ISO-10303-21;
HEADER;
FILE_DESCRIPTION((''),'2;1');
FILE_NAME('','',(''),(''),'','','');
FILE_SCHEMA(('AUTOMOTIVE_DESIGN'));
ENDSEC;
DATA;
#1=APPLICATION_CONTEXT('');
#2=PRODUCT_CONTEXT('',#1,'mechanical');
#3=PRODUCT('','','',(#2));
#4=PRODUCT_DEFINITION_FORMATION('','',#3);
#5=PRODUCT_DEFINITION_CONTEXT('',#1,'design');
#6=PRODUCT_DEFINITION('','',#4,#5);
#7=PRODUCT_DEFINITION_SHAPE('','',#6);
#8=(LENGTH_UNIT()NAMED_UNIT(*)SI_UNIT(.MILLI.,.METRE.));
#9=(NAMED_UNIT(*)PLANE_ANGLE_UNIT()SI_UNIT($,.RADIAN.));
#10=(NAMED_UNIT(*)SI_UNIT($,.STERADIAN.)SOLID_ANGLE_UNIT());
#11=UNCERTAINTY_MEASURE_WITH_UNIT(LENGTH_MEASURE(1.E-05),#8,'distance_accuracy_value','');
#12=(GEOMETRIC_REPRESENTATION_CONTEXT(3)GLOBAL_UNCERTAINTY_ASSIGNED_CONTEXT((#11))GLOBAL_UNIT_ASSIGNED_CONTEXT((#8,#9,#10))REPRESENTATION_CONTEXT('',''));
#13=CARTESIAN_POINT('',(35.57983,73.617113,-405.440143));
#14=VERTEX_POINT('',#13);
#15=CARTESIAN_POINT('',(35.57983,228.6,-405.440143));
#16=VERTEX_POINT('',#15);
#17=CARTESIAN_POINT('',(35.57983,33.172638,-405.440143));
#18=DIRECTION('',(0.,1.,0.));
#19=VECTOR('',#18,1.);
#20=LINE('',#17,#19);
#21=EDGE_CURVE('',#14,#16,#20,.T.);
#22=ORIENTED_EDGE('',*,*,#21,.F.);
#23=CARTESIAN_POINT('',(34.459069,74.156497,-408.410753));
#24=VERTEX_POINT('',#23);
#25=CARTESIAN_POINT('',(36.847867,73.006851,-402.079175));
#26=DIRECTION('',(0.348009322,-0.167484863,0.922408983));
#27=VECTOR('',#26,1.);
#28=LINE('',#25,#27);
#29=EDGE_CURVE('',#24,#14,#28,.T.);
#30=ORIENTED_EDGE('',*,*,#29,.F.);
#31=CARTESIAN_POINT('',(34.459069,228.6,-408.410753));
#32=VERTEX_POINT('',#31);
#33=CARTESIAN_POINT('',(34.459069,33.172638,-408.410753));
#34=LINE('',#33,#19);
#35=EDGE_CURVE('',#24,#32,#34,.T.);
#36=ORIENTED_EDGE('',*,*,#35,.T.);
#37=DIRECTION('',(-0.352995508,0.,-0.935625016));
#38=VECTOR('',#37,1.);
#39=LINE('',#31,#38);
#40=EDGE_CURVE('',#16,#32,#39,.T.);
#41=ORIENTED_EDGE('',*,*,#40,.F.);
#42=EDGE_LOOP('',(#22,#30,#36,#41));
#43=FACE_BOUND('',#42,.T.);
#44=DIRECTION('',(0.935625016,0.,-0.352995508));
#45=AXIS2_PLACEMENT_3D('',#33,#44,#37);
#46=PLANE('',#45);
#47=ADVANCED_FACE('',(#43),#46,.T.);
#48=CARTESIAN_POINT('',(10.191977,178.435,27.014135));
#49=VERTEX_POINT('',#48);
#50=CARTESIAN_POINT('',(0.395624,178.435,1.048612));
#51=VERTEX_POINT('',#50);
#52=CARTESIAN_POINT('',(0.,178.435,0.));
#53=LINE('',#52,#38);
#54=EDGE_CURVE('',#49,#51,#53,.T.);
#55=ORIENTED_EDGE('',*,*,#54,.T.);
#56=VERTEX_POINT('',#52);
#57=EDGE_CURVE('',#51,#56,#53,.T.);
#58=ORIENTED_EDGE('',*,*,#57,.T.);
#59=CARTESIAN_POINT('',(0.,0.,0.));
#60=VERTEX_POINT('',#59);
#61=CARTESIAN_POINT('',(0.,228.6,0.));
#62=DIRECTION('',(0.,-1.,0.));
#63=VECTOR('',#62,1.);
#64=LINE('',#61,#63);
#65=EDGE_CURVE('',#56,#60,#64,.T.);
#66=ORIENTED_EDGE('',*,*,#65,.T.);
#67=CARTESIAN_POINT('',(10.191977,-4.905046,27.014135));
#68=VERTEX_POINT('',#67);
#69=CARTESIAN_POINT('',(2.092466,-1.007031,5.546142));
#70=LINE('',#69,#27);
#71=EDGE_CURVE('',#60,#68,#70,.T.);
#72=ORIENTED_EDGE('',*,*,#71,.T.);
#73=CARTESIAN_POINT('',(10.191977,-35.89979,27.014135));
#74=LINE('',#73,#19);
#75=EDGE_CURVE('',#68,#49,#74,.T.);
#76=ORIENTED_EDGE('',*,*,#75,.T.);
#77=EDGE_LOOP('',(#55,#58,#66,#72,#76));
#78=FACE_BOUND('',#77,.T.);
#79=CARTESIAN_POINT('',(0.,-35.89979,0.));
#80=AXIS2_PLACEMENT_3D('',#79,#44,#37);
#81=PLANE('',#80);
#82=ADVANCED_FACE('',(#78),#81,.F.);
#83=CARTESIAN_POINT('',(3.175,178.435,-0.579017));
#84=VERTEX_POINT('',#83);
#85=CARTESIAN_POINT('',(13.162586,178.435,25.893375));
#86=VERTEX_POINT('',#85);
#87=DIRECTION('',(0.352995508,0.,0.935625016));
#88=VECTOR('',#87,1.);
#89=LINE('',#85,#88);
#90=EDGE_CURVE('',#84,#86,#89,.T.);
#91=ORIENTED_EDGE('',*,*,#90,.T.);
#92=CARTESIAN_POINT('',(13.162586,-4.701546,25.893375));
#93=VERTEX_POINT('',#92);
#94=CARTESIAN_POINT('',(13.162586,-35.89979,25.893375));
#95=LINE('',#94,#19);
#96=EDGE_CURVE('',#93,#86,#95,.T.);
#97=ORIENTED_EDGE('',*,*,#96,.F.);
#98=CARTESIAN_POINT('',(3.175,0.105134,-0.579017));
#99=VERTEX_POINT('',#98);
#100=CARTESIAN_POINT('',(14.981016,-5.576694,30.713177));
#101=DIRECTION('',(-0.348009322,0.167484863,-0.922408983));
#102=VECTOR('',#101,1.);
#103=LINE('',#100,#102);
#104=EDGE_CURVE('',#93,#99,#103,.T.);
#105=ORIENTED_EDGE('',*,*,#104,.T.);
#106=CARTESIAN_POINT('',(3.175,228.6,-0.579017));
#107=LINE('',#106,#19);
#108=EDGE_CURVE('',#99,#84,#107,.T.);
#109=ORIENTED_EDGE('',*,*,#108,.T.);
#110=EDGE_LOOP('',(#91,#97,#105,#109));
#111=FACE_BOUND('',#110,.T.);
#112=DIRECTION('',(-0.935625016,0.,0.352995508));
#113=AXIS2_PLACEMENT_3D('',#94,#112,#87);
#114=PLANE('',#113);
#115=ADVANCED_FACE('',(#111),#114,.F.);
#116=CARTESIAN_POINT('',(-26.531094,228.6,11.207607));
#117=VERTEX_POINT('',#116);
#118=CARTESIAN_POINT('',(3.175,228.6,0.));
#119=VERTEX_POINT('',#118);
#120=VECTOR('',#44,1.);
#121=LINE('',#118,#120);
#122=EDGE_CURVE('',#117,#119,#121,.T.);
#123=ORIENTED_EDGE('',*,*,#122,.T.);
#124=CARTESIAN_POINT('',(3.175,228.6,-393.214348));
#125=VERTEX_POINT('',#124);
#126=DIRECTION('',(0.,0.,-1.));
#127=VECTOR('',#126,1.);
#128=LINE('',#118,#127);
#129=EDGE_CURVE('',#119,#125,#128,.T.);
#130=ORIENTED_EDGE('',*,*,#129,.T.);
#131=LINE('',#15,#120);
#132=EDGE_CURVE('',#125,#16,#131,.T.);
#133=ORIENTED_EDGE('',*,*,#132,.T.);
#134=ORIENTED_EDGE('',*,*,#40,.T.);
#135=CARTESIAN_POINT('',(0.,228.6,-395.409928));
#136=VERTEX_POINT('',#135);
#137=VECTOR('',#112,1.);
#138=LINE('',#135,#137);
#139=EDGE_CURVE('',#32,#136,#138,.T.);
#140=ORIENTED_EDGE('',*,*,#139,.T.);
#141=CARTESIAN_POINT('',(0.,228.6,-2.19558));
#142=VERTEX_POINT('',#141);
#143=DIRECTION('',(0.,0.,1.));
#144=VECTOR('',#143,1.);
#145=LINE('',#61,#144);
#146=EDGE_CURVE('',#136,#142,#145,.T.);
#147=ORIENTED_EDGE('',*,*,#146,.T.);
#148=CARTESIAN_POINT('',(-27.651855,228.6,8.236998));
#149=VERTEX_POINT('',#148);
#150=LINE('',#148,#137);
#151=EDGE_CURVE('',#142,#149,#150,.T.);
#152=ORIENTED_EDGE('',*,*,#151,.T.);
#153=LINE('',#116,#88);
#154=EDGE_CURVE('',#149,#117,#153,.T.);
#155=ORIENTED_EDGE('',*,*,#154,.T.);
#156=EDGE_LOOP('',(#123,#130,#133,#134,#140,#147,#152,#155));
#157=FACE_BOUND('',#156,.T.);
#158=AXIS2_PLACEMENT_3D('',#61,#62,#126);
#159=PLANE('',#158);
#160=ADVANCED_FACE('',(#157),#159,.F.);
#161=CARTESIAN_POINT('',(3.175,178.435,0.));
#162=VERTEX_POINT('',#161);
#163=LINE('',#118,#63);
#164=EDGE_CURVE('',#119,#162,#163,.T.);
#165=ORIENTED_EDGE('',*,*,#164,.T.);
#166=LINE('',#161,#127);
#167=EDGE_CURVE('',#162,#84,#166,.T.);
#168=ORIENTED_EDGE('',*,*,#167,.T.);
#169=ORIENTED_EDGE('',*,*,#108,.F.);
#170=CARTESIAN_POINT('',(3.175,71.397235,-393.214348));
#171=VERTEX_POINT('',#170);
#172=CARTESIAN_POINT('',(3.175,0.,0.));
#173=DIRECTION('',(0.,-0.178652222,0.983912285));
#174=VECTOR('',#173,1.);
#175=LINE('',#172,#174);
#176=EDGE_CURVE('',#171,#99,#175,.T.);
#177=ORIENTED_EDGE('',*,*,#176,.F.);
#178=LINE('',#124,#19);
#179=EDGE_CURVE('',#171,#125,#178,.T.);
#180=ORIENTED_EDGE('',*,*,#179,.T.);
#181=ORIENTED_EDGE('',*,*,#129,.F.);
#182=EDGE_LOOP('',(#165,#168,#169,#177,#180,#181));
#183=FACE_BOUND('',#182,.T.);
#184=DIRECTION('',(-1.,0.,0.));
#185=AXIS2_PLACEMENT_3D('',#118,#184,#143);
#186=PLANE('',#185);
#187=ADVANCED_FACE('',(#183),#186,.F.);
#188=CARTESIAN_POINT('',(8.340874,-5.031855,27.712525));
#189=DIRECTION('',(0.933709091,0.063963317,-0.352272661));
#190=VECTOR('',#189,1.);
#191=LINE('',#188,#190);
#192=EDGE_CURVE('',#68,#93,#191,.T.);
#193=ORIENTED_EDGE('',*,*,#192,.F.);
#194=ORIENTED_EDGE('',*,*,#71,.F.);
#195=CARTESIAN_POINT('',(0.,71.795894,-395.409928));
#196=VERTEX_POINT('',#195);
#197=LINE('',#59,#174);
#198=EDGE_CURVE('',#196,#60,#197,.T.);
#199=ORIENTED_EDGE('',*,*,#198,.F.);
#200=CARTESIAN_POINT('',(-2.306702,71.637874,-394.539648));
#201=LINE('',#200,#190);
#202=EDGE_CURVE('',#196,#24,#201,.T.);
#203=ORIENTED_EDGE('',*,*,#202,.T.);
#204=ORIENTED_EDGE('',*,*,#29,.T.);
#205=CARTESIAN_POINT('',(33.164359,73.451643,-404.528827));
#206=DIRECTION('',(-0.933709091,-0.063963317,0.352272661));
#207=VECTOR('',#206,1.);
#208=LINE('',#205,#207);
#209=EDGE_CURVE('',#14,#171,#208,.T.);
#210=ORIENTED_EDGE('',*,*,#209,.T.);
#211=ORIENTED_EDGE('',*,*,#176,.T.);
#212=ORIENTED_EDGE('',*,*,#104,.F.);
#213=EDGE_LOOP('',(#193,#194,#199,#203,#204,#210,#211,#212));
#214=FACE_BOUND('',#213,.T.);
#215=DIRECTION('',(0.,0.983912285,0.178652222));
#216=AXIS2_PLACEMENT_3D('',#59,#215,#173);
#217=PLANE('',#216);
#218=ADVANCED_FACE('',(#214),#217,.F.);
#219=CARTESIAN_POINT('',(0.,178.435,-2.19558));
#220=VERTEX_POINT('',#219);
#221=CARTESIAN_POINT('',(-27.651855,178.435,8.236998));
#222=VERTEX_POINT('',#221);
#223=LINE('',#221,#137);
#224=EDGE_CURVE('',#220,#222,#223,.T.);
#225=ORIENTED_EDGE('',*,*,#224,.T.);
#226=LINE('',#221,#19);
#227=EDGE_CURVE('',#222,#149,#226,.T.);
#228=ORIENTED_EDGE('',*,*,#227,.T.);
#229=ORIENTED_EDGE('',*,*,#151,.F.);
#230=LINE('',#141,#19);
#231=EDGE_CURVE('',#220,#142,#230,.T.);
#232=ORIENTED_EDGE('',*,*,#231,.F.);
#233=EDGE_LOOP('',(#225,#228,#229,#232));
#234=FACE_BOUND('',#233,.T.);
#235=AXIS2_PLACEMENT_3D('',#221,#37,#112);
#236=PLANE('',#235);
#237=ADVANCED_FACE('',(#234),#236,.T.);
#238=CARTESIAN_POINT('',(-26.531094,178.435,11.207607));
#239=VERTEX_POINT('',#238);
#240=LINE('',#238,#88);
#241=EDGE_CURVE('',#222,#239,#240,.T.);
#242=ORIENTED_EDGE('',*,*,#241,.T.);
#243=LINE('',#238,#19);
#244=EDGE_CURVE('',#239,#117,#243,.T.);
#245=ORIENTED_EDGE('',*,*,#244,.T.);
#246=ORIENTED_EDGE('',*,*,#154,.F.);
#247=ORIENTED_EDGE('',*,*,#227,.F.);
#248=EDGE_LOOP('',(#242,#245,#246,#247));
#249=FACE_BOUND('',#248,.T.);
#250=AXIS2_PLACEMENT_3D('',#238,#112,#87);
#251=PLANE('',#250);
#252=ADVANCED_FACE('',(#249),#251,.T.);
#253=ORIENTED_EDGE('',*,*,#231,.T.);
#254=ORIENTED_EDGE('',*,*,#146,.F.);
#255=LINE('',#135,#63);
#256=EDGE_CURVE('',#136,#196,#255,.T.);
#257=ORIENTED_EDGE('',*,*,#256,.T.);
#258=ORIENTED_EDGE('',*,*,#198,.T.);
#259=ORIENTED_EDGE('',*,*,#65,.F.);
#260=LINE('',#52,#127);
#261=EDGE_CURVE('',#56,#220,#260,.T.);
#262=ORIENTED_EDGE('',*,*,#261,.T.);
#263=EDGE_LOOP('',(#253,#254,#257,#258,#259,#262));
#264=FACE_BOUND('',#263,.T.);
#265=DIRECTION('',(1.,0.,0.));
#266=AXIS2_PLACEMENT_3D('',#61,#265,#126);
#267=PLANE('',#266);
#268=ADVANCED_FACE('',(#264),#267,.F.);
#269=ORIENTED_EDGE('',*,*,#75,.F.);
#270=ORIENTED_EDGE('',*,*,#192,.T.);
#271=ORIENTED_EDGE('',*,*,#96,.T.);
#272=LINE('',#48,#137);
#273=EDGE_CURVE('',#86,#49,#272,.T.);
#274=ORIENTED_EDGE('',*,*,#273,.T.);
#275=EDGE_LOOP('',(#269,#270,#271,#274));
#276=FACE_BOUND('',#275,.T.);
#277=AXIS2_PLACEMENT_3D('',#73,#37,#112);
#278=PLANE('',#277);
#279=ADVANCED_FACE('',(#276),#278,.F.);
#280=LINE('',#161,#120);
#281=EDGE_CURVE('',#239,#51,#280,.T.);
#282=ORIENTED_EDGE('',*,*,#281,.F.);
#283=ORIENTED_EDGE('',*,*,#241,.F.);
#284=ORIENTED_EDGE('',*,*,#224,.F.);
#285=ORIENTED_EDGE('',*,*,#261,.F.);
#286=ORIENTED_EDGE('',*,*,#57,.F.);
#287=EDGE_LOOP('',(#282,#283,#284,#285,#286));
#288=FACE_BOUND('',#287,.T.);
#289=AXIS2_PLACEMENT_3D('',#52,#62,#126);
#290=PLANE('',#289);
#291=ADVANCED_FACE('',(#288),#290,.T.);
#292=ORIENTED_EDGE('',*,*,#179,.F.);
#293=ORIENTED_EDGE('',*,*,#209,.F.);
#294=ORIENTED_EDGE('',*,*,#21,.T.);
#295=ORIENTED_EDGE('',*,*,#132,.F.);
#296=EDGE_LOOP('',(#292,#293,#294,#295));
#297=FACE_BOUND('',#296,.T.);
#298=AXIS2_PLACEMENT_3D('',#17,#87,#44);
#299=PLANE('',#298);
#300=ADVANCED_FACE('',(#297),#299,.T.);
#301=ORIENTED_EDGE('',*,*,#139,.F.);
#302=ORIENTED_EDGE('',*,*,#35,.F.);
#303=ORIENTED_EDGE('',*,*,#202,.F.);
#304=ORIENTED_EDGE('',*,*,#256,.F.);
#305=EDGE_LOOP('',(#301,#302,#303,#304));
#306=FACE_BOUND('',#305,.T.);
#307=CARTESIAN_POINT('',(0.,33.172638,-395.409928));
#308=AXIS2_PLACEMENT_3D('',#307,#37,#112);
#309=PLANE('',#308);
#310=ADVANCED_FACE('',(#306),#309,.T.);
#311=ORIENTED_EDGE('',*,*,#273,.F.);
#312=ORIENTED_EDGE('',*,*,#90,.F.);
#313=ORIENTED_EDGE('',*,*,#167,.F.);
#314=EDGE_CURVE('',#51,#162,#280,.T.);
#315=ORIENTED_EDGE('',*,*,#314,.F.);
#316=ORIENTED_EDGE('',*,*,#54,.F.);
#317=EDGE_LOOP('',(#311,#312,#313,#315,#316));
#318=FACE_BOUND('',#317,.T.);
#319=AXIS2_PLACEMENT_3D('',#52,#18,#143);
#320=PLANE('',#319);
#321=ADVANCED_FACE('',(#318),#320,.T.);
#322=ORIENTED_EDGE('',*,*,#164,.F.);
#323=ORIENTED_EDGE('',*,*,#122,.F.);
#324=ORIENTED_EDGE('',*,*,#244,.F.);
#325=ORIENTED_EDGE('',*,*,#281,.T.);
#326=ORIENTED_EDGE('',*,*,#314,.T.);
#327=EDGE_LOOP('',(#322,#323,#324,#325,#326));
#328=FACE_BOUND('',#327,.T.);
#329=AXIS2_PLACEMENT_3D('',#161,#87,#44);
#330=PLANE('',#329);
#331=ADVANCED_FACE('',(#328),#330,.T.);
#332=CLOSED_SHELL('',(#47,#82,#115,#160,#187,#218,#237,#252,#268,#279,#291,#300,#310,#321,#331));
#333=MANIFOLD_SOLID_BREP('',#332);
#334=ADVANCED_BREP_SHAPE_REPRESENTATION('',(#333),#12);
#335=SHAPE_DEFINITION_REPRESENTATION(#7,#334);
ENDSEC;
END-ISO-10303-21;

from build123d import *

# Parameters (mm, degrees)
SKETCH1_W           = 3.175
SKETCH1_H           = 395.409928
BOSS_EXTRUDE1_DEPTH = 228.6
CUT_EXTRUDE1_DEPTH  = 457.746156838
BOSS_EXTRUDE4_REACH = 458.746
BOSS_EXTRUDE5_DEPTH = 50.165
BOSS_EXTRUDE8_REACH = 449.107


with BuildPart() as part:
    # Sketch1 → Boss-Extrude1 (new body)
    with BuildSketch(Plane(origin=(0, 0, 0), x_dir=(1, 0, 0), z_dir=(0, 1, 0))):
        with Locations((1.5875, 197.704964)):
            Rectangle(SKETCH1_W, SKETCH1_H)
    extrude(amount=BOSS_EXTRUDE1_DEPTH)

    # Sketch2 → Cut-Extrude1 (cut, through all)
    with BuildSketch(Plane(origin=(3.175, 0, 0), x_dir=(0, 0, -1), z_dir=(1, 0, 0))):
        Polygon((0, 0), (395.409928, 71.795894), (395.409928, 0), align=None)
    extrude(amount=-CUT_EXTRUDE1_DEPTH, mode=Mode.SUBTRACT)

    # Boss-Extrude4: up to this plane
    boss_extrude4_end = Plane(origin=(0, 0, 0), z_dir=(0, 0.9839122845611679, 0.17865222161961358))
    # Sketch8 → Boss-Extrude4 (add, up to the surface)
    with BuildSketch(Plane(origin=(0, 228.6, 0), x_dir=(1, 0, 0), z_dir=(0, 1, 0)), mode=Mode.PRIVATE) as boss_extrude4_sk1:
        Polygon((0, 395.409928), (34.459069357, 408.410752554), (35.579830094, 405.440143126), (0, 392.016474486), align=None)
    boss_extrude4_tool1 = split(extrude(boss_extrude4_sk1.sketch, amount=-BOSS_EXTRUDE4_REACH, mode=Mode.PRIVATE), bisect_by=boss_extrude4_end, keep=Keep.BOTH, mode=Mode.PRIVATE)
    add(boss_extrude4_tool1.solids().sort_by_distance((17.511219, 228.6, -400.310838))[0])

    # Sketch9 → Boss-Extrude5 (add)
    with BuildSketch(Plane(origin=(0, 228.6, 0), x_dir=(1, 0, 0), z_dir=(0, 1, 0))):
        Polygon((3.175, 0), (-26.531094273, -11.207607374), (-27.65185501, -8.236997947), (3.175, 3.393453514), align=None)
    extrude(amount=-BOSS_EXTRUDE5_DEPTH)

    # Boss-Extrude8: up to this plane
    boss_extrude8_end = Plane(origin=(0, 0, 0), z_dir=(0, 0.9839122845611679, 0.17865222161961358))
    # Sketch13 → Boss-Extrude8 (add, up to the surface)
    with BuildSketch(Plane.XZ.offset(-178.435), mode=Mode.PRIVATE) as boss_extrude8_sk1:
        Polygon((0, 0), (10.19197679, 27.014135421), (13.162586217, 25.893374684), (1.954978843, -3.812719589), align=None)
    boss_extrude8_tool1 = split(extrude(boss_extrude8_sk1.sketch, amount=BOSS_EXTRUDE8_REACH, mode=Mode.PRIVATE), bisect_by=boss_extrude8_end, keep=Keep.BOTH, mode=Mode.PRIVATE)
    add(boss_extrude8_tool1.solids().sort_by_distance((6.346866, 178.435, 12.254186))[0])


solid = part.part
